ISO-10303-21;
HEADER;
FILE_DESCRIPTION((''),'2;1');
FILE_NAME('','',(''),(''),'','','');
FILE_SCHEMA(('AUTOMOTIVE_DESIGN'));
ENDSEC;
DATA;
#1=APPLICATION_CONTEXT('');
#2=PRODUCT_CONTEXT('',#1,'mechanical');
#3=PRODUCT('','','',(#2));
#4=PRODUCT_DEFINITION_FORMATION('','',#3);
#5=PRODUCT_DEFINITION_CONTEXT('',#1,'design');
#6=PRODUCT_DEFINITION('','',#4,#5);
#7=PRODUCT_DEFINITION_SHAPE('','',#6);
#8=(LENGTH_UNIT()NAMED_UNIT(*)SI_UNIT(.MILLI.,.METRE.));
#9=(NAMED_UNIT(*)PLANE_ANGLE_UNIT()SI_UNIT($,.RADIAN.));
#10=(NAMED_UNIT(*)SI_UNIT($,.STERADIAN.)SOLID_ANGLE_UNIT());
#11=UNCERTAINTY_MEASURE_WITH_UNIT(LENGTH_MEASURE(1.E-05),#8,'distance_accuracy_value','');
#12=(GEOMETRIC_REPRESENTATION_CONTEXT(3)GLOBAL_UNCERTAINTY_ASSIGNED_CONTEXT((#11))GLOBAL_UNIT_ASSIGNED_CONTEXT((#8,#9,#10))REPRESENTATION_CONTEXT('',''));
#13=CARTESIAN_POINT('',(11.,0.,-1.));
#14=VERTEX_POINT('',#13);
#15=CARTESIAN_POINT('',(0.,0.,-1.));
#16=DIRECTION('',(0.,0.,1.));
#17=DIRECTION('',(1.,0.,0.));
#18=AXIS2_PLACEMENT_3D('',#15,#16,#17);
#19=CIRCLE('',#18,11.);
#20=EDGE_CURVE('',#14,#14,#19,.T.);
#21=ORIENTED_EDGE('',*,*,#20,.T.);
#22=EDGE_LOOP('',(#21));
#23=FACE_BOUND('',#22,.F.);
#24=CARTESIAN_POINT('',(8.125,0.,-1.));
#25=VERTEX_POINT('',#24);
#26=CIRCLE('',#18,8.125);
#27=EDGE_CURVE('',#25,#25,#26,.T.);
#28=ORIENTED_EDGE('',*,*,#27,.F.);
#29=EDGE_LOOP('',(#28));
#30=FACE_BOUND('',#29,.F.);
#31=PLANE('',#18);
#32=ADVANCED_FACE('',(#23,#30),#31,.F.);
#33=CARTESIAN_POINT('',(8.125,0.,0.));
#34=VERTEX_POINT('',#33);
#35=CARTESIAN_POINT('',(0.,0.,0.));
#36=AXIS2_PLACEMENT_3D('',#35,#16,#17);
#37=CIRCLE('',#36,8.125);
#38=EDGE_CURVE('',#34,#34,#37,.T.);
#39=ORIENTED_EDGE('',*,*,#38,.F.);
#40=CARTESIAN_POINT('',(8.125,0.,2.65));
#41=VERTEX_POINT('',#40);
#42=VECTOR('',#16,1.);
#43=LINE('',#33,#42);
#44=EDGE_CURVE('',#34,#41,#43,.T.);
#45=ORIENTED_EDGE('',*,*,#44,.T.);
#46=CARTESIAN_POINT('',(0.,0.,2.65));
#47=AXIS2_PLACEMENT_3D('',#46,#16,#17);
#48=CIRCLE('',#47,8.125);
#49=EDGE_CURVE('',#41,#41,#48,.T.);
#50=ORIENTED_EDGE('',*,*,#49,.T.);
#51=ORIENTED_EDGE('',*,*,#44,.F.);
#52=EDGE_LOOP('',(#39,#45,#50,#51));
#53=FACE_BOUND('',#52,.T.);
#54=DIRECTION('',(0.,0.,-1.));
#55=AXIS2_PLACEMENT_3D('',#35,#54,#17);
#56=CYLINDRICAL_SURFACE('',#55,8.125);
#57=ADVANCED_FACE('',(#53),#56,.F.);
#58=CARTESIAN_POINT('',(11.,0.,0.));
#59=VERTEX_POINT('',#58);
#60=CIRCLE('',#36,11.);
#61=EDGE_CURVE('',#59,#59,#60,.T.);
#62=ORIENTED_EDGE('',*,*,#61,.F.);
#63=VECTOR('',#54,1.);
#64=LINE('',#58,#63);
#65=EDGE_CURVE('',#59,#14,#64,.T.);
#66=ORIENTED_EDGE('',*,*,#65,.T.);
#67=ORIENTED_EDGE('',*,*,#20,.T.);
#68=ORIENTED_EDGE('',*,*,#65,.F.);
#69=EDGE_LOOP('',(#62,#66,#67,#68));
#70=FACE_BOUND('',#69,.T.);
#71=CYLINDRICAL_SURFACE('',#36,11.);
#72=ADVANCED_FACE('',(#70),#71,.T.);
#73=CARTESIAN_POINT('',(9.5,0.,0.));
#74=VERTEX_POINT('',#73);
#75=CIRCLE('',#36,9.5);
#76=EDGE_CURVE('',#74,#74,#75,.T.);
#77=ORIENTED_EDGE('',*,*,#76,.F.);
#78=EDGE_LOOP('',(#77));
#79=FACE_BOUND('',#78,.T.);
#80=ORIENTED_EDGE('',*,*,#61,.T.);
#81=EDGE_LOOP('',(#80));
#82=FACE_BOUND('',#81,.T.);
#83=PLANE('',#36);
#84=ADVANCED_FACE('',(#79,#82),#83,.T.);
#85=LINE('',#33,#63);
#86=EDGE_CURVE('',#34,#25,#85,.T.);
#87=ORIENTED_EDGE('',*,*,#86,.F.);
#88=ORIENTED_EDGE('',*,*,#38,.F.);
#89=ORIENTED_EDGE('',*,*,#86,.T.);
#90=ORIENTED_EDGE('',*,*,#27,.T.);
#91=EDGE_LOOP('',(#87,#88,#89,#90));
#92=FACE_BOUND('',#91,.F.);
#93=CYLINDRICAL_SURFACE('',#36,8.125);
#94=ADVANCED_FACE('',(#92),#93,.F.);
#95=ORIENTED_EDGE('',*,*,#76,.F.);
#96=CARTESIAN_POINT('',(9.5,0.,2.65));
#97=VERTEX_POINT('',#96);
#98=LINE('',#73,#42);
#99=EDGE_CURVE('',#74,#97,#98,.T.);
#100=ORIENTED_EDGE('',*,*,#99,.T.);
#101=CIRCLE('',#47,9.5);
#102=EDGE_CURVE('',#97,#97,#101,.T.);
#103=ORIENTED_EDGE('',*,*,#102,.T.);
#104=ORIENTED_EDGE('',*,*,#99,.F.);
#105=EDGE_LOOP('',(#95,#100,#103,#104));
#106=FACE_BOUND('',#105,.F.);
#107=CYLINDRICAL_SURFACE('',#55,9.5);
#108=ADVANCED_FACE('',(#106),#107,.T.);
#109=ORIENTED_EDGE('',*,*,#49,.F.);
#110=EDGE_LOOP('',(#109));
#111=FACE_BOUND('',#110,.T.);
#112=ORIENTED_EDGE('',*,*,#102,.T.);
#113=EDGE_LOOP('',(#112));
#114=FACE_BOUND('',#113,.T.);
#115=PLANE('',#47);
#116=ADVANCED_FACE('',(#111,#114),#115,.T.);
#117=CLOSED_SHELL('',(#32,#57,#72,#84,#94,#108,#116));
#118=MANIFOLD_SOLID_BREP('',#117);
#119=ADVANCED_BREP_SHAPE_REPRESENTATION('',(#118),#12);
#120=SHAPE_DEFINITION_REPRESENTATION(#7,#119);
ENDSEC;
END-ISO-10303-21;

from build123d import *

# Parameters (mm, degrees)
F0_R     = 9.5
F0_R_2   = 8.125
F1_DEPTH = 2.65
F0_R_3   = 11
F2_DEPTH = 1


with BuildPart() as f1:
    # F0 (on Top) → F1 (new body)
    with BuildSketch(Plane.XY):
        Circle(F0_R)
        Circle(F0_R_2, mode=Mode.SUBTRACT)
    extrude(amount=F1_DEPTH)

    # F0 (on Top) → F2 (join)
    with BuildSketch(Plane.XY):
        Circle(F0_R_3)
        Circle(F0_R, mode=Mode.SUBTRACT)
        Circle(F0_R)
        Circle(F0_R_2, mode=Mode.SUBTRACT)
    extrude(amount=-F2_DEPTH)


solid = f1.part
